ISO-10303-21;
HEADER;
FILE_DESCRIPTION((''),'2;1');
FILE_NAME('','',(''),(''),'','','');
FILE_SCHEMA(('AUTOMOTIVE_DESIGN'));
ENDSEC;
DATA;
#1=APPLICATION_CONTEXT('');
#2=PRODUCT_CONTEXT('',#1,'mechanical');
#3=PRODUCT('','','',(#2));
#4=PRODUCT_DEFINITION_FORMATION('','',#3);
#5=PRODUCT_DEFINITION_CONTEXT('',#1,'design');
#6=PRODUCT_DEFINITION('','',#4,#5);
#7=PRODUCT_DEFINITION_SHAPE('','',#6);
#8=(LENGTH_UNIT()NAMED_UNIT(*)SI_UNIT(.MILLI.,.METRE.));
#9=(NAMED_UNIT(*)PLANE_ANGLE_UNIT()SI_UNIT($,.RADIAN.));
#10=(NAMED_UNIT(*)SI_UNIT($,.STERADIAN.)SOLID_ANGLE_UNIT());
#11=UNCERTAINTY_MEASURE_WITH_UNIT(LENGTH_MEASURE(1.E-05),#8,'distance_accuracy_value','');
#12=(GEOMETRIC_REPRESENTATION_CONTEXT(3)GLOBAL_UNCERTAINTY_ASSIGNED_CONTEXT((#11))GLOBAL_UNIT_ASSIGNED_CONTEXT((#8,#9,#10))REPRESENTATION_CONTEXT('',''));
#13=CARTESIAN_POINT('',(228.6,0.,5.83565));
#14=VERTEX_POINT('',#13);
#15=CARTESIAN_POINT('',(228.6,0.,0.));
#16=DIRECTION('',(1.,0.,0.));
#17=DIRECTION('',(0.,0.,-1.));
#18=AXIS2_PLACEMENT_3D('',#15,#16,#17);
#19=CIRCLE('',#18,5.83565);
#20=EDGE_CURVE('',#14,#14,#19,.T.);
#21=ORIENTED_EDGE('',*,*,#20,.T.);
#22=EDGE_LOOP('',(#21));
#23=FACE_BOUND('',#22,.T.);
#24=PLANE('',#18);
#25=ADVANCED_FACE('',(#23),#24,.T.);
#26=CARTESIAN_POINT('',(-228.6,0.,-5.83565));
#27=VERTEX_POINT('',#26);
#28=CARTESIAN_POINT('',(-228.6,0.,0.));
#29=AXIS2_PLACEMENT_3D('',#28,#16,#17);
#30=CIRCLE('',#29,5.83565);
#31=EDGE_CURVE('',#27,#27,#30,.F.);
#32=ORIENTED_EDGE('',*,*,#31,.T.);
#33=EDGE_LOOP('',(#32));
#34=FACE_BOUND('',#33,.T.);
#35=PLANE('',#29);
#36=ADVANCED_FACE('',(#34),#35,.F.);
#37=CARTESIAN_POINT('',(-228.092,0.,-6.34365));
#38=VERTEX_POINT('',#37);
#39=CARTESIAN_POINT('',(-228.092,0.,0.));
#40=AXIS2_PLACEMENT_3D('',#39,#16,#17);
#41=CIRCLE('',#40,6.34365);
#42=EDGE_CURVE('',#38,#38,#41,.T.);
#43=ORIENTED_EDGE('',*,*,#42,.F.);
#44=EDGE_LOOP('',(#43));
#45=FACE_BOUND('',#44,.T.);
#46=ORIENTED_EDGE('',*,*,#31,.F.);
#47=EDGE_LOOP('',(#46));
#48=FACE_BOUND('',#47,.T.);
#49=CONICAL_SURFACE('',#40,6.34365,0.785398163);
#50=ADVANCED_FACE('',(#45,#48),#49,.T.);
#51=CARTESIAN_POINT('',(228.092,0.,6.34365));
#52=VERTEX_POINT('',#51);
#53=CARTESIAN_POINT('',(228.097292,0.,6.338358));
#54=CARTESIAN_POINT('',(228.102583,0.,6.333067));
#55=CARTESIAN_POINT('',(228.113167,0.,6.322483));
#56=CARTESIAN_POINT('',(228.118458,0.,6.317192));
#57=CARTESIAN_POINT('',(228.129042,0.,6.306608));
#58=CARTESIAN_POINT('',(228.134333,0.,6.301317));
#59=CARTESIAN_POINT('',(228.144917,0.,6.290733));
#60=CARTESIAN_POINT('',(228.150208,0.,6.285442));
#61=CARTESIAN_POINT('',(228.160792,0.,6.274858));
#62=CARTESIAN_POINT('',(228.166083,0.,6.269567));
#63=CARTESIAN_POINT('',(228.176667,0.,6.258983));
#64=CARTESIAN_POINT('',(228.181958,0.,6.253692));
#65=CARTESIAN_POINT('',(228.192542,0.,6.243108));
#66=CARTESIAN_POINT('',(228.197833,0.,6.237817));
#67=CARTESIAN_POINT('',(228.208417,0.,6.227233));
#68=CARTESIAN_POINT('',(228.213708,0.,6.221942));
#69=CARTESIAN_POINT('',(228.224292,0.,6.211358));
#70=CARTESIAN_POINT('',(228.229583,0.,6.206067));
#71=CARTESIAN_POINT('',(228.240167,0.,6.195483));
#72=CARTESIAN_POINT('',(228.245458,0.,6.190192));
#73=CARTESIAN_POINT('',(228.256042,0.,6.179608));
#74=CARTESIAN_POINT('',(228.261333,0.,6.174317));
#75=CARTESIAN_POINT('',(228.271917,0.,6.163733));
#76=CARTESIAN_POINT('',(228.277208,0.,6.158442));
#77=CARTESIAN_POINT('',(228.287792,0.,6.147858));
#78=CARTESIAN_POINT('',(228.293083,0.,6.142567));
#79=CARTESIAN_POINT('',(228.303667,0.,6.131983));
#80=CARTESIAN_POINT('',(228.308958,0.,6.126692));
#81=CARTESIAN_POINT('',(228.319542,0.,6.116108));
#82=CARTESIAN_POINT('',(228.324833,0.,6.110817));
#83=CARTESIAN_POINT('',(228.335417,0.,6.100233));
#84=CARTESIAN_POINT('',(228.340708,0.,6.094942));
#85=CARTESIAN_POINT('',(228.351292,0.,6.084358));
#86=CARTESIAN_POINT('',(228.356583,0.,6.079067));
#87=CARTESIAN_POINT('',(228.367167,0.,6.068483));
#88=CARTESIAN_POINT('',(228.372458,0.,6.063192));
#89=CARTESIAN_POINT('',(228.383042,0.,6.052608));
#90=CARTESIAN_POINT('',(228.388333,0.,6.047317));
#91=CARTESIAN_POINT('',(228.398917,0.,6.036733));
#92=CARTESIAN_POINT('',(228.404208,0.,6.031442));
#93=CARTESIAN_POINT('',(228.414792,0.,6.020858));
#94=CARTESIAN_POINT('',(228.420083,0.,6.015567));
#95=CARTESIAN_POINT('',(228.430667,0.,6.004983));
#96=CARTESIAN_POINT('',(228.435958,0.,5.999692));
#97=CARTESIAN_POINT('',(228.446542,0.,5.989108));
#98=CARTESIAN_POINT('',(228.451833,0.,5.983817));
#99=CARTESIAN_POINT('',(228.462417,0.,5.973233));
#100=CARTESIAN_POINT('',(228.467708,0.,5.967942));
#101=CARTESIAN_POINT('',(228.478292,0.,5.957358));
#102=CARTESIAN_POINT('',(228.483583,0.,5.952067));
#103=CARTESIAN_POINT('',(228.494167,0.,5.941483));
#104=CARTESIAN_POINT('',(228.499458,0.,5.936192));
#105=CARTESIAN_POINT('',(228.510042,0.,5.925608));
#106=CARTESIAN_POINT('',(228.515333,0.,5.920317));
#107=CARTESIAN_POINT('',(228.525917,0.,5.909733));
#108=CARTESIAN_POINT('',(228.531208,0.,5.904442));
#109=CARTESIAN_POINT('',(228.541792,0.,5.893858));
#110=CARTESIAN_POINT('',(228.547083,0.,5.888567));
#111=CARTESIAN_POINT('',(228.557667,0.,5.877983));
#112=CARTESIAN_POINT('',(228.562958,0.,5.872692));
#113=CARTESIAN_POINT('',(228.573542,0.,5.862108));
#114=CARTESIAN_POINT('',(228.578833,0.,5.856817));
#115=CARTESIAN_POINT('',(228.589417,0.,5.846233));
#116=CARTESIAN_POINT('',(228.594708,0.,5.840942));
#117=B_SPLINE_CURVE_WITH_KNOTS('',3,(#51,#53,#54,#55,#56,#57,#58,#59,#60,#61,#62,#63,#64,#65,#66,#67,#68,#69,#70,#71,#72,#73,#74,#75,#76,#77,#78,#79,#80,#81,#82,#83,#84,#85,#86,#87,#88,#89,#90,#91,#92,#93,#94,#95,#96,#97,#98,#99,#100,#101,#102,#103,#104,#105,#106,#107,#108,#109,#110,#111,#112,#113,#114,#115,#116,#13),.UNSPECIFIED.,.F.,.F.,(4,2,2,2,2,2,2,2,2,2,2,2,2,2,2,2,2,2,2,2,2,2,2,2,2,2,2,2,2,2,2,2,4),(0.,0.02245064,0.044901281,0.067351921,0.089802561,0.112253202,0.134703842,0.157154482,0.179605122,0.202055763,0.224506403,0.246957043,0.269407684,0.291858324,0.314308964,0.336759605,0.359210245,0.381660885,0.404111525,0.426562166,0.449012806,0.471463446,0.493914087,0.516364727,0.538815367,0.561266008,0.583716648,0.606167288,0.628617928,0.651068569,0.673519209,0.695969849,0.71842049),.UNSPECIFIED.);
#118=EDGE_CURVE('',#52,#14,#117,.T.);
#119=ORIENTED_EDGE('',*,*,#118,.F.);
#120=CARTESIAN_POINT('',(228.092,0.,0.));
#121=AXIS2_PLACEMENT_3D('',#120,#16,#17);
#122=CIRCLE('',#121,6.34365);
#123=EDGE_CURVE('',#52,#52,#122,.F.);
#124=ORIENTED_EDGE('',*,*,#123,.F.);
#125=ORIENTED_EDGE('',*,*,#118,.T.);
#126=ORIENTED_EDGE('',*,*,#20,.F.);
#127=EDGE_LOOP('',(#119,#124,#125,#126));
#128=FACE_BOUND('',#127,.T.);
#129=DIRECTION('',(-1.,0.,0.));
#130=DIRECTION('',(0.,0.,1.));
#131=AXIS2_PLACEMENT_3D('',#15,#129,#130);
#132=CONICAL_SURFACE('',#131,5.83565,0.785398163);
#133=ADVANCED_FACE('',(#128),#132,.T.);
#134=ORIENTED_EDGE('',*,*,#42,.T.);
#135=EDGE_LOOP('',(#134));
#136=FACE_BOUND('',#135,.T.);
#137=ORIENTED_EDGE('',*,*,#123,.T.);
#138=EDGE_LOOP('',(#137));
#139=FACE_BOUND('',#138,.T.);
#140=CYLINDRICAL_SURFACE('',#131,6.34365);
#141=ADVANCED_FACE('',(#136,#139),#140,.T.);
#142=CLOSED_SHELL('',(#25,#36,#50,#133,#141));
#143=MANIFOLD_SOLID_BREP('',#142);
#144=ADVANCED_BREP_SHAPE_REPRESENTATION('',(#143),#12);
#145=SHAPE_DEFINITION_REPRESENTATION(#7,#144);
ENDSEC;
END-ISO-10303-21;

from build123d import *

# Parameters (mm, degrees)
SKETCH1_R           = 6.34365
BOSS_EXTRUDE1_DEPTH = 228.6
CHAMFER1_SIZE       = 0.508


with BuildPart() as part:
    # Sketch1 → Boss-Extrude1 (new, symmetric)
    with BuildSketch(Plane(origin=(0, 0, 0), x_dir=(0, 0, -1), z_dir=(1, 0, 0))):
        Circle(SKETCH1_R)
    extrude(amount=BOSS_EXTRUDE1_DEPTH, both=True)

    # Chamfer1
    chamfer1_edges = [part.edges().sort_by_distance(p)[0] for p in [
        (-228.6, 0, 6.34365),
        (228.6, 0, 6.34365),
    ]]
    chamfer(chamfer1_edges, length=CHAMFER1_SIZE)


solid = part.part
